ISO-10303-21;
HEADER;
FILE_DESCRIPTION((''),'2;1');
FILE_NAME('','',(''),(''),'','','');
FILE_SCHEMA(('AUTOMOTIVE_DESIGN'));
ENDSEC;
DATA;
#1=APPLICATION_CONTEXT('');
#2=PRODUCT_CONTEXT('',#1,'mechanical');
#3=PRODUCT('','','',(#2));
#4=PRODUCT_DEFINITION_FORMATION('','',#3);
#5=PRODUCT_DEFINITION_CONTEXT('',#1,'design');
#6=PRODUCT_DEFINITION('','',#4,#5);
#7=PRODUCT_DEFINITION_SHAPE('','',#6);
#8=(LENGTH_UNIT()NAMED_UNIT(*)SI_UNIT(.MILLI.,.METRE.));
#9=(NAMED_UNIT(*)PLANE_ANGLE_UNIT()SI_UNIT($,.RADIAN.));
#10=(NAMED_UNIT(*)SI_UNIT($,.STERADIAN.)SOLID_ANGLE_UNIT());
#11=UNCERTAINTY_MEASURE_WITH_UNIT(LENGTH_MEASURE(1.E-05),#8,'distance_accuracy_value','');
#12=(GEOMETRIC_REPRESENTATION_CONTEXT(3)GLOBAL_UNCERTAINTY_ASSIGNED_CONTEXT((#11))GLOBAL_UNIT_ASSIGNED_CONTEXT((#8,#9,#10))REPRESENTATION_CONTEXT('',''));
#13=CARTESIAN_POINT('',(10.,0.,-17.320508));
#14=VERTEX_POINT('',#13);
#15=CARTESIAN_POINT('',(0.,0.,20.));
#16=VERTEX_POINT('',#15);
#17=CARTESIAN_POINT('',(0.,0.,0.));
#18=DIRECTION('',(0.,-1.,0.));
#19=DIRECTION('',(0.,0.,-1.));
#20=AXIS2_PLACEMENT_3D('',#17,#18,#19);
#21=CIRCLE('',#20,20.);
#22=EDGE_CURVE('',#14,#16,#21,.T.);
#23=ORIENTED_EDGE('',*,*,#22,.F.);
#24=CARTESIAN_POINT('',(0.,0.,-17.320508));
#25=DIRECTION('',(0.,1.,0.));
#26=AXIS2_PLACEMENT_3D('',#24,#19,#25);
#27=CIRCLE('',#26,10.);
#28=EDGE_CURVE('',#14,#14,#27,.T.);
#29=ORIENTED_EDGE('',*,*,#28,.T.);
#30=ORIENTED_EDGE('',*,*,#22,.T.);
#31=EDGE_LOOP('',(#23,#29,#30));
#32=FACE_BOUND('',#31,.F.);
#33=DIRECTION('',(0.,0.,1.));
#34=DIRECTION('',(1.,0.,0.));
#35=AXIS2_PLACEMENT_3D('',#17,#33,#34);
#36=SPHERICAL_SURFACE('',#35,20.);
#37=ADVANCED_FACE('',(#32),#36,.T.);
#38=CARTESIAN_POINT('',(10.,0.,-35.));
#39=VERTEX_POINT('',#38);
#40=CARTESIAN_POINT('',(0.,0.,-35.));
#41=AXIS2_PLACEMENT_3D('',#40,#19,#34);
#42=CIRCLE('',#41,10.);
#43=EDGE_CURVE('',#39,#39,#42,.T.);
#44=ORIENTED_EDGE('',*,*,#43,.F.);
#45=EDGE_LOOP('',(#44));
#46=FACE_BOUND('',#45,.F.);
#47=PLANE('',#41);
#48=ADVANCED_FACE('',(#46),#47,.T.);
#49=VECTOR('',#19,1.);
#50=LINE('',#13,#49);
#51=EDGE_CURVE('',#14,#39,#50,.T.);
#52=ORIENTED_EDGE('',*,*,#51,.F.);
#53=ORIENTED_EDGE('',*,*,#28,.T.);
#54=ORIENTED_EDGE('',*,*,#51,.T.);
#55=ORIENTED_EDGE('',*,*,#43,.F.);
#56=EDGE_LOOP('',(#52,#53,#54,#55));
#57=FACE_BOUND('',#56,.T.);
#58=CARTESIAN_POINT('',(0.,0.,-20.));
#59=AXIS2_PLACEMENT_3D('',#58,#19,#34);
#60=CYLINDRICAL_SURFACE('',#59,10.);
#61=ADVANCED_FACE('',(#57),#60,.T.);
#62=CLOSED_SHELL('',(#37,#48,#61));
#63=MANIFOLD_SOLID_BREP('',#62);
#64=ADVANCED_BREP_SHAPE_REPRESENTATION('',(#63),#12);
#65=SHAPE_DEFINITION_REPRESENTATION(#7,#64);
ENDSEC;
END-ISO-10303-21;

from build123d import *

# Parameters (mm, degrees)
F0_W     = 10
F0_H     = 15
F2_DEPTH = 25.4


with BuildPart() as f1:
    # F0 (on Front) → F1 (revolve)
    with BuildSketch(Plane.XZ):
        with BuildLine():
            Line((0, 20), (0, -20))
            ThreePointArc((0, -20), (20, 0), (0, 20))
        make_face()
    revolve(axis=Axis((0, 0, 0), (0, 0, -1)))



with BuildPart() as f1b:
    # F0 (on Front) → F1, piece 2 (revolve)
    with BuildSketch(Plane.XZ):
        with Locations((5, -27.5)):
            Rectangle(F0_W, F0_H)
    revolve(axis=Axis((0, 0, 0), (0, 0, -1)))


with BuildPart() as f1_1:
    add(f1.part)
    # F2 (add): a face of the model
    f2_faces = [f1b.part.faces().sort_by_distance(p)[0] for p in [
        (0, 0, -20),
    ]]

    add(f1b.part)  # F2 merges F1b
    extrude(f2_faces, amount=F2_DEPTH)


solid = f1_1.part
